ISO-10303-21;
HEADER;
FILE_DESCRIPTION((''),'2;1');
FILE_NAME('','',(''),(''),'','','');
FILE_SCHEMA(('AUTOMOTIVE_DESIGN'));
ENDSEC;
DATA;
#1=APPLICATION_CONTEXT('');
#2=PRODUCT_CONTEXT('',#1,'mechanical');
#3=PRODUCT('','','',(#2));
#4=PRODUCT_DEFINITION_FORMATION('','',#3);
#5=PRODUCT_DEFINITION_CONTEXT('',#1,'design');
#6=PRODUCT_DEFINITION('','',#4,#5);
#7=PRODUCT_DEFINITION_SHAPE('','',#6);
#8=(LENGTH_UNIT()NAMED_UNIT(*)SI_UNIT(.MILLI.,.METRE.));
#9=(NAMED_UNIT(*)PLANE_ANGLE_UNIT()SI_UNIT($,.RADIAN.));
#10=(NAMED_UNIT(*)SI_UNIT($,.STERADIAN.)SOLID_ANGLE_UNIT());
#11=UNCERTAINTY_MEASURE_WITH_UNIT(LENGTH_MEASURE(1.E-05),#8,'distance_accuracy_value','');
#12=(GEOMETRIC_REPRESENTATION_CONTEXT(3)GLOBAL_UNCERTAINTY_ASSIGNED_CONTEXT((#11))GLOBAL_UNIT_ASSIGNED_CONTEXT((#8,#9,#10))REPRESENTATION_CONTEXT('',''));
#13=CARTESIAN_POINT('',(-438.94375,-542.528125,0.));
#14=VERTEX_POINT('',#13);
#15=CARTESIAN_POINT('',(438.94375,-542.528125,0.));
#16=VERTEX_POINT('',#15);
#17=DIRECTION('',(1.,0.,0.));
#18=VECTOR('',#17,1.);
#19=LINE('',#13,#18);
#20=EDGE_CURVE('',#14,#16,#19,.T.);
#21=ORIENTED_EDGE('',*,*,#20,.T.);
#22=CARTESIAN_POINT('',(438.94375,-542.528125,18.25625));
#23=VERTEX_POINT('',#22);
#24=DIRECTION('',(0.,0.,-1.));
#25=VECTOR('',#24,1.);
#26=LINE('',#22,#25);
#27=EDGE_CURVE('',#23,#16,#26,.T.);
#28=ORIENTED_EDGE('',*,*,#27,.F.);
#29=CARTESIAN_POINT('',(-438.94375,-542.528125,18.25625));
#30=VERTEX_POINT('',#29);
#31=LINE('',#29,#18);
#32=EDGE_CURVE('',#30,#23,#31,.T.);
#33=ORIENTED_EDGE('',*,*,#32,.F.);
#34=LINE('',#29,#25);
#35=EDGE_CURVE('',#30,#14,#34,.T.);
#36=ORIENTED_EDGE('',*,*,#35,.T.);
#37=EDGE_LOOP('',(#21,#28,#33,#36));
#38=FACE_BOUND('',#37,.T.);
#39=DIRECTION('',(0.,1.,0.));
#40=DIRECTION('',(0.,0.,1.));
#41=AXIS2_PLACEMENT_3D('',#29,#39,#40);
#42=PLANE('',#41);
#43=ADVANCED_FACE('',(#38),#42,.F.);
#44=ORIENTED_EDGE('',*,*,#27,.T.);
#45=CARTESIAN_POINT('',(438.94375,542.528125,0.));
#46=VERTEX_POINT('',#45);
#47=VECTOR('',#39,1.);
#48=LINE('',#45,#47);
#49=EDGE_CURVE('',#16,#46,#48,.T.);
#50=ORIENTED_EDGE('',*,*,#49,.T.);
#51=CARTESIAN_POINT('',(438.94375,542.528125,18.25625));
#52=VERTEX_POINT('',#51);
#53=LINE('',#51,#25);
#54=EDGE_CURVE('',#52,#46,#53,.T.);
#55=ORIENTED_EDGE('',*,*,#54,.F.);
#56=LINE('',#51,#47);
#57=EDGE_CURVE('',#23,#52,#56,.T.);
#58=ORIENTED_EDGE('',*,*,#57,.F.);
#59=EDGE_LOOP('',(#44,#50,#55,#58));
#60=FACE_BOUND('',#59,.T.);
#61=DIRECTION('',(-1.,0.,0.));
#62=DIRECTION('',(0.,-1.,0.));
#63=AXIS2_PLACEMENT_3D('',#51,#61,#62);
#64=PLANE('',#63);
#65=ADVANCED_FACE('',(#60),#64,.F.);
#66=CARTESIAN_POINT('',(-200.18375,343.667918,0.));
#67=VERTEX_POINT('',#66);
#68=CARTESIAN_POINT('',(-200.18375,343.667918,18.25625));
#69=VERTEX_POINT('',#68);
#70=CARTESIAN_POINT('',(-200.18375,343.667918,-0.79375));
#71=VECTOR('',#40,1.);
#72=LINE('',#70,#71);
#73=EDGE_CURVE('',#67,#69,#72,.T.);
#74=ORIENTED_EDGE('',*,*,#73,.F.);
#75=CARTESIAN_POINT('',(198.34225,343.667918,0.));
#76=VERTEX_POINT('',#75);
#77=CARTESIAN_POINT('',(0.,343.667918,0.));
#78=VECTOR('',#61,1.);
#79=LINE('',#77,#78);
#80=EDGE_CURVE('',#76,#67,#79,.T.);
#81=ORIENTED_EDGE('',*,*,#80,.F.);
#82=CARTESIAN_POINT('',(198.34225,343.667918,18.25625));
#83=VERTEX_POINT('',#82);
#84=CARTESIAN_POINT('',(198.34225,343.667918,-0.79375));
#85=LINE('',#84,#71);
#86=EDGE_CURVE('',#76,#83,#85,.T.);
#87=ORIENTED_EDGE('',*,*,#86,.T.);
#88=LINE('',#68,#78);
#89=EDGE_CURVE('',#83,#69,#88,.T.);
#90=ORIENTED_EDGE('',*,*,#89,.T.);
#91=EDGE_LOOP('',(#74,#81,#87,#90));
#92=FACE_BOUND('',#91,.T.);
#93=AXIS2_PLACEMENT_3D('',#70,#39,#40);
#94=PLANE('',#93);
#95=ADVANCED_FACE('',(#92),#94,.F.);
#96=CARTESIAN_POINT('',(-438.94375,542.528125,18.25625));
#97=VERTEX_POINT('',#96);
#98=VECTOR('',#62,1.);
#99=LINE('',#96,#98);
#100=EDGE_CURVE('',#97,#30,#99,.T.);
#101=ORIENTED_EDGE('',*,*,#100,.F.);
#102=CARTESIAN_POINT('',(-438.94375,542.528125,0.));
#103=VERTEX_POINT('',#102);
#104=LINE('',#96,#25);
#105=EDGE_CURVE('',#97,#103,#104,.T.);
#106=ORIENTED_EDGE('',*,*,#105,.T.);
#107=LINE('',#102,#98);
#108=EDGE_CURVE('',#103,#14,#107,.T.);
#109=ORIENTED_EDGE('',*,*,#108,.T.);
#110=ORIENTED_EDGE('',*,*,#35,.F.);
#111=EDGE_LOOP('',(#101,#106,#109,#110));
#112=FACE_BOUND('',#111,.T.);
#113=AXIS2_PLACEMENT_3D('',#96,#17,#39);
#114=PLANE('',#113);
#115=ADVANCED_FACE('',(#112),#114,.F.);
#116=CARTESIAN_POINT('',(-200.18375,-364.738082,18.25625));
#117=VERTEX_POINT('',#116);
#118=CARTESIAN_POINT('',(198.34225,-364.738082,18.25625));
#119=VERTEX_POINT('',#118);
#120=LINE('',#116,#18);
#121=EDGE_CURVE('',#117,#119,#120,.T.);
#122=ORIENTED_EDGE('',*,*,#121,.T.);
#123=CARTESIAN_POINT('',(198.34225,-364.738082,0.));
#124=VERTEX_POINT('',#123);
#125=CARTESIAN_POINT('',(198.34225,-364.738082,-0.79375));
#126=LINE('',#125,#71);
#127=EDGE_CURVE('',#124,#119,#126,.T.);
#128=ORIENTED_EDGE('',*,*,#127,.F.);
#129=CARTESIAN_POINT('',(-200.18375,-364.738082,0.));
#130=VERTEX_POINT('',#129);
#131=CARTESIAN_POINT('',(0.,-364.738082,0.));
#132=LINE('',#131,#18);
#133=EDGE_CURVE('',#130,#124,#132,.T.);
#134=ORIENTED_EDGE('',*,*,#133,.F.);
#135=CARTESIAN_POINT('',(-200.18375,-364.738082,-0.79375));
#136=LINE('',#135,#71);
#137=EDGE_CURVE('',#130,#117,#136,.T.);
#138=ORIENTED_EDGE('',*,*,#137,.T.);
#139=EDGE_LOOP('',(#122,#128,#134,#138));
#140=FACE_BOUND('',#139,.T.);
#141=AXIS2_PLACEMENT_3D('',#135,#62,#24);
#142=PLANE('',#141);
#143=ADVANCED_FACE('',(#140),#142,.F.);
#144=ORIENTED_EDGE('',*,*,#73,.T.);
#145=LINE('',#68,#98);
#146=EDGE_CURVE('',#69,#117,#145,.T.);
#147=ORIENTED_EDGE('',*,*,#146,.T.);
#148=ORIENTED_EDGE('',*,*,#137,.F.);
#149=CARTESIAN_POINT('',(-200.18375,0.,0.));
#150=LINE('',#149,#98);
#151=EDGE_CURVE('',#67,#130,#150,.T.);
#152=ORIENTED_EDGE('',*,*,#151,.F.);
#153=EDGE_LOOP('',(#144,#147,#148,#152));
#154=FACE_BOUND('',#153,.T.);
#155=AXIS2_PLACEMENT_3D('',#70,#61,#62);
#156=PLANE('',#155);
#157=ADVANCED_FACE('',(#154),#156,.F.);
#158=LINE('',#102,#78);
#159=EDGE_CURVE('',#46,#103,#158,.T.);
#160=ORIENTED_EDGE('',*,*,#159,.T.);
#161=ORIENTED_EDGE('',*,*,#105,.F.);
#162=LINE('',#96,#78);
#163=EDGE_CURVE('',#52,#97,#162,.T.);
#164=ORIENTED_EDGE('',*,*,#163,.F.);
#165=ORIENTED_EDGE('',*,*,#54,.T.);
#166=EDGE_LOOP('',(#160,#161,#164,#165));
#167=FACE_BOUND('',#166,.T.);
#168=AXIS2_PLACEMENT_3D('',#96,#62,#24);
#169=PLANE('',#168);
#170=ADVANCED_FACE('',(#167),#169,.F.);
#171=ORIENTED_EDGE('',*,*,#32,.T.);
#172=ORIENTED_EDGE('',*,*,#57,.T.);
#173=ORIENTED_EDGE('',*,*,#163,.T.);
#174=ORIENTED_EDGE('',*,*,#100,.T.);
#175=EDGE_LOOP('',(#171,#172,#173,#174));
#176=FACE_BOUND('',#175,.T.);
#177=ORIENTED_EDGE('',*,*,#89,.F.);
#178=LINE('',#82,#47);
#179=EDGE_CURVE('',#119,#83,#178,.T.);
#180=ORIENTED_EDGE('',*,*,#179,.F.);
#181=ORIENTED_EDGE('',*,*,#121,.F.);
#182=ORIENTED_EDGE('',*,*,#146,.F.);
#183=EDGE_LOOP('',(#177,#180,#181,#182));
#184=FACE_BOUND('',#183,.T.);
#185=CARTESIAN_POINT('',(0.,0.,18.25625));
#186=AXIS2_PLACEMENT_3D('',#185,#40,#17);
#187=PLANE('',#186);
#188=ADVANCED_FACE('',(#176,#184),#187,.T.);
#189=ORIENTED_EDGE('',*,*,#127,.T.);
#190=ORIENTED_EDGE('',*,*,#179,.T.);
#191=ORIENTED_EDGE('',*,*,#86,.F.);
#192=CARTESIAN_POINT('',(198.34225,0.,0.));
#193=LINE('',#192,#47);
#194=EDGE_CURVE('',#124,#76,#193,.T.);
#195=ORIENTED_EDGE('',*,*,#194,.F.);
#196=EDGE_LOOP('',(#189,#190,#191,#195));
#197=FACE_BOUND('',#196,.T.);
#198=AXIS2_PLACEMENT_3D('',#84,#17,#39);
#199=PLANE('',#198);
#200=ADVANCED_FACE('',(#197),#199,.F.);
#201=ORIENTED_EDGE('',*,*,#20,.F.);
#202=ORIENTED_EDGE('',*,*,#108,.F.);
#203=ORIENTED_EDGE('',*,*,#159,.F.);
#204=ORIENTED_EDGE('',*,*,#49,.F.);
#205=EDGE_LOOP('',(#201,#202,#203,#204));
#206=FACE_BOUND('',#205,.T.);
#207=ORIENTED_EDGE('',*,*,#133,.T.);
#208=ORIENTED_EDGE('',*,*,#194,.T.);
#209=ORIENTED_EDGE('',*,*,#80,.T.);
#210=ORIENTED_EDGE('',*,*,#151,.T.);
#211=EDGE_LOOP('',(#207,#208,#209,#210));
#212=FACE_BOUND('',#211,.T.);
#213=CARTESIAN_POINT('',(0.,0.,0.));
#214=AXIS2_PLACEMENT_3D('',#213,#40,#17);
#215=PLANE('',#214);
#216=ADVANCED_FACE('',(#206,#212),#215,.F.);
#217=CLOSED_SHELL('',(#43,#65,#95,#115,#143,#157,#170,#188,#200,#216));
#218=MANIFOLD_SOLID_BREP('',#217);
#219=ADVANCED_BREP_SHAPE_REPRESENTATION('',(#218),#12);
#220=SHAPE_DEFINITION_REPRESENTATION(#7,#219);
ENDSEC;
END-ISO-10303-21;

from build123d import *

# Parameters (mm, degrees)
SKETCH1_W           = 877.8875
SKETCH1_H           = 1085.05625
BOSS_EXTRUDE1_DEPTH = 18.25625
SKETCH2_W           = 398.526
SKETCH2_H           = 708.406
CUT_EXTRUDE1_DEPTH  = 19.05


with BuildPart() as part:
    # Sketch1 → Boss-Extrude1 (new body)
    with BuildSketch(Plane.XY):
        Rectangle(SKETCH1_W, SKETCH1_H)
    extrude(amount=BOSS_EXTRUDE1_DEPTH)

    # Sketch2 → Cut-Extrude1 (cut)
    with BuildSketch(Plane.XY.offset(18.25625)):
        with Locations((-0.92075, -10.535082227)):
            Rectangle(SKETCH2_W, SKETCH2_H)
    extrude(amount=-CUT_EXTRUDE1_DEPTH, mode=Mode.SUBTRACT)


solid = part.part
